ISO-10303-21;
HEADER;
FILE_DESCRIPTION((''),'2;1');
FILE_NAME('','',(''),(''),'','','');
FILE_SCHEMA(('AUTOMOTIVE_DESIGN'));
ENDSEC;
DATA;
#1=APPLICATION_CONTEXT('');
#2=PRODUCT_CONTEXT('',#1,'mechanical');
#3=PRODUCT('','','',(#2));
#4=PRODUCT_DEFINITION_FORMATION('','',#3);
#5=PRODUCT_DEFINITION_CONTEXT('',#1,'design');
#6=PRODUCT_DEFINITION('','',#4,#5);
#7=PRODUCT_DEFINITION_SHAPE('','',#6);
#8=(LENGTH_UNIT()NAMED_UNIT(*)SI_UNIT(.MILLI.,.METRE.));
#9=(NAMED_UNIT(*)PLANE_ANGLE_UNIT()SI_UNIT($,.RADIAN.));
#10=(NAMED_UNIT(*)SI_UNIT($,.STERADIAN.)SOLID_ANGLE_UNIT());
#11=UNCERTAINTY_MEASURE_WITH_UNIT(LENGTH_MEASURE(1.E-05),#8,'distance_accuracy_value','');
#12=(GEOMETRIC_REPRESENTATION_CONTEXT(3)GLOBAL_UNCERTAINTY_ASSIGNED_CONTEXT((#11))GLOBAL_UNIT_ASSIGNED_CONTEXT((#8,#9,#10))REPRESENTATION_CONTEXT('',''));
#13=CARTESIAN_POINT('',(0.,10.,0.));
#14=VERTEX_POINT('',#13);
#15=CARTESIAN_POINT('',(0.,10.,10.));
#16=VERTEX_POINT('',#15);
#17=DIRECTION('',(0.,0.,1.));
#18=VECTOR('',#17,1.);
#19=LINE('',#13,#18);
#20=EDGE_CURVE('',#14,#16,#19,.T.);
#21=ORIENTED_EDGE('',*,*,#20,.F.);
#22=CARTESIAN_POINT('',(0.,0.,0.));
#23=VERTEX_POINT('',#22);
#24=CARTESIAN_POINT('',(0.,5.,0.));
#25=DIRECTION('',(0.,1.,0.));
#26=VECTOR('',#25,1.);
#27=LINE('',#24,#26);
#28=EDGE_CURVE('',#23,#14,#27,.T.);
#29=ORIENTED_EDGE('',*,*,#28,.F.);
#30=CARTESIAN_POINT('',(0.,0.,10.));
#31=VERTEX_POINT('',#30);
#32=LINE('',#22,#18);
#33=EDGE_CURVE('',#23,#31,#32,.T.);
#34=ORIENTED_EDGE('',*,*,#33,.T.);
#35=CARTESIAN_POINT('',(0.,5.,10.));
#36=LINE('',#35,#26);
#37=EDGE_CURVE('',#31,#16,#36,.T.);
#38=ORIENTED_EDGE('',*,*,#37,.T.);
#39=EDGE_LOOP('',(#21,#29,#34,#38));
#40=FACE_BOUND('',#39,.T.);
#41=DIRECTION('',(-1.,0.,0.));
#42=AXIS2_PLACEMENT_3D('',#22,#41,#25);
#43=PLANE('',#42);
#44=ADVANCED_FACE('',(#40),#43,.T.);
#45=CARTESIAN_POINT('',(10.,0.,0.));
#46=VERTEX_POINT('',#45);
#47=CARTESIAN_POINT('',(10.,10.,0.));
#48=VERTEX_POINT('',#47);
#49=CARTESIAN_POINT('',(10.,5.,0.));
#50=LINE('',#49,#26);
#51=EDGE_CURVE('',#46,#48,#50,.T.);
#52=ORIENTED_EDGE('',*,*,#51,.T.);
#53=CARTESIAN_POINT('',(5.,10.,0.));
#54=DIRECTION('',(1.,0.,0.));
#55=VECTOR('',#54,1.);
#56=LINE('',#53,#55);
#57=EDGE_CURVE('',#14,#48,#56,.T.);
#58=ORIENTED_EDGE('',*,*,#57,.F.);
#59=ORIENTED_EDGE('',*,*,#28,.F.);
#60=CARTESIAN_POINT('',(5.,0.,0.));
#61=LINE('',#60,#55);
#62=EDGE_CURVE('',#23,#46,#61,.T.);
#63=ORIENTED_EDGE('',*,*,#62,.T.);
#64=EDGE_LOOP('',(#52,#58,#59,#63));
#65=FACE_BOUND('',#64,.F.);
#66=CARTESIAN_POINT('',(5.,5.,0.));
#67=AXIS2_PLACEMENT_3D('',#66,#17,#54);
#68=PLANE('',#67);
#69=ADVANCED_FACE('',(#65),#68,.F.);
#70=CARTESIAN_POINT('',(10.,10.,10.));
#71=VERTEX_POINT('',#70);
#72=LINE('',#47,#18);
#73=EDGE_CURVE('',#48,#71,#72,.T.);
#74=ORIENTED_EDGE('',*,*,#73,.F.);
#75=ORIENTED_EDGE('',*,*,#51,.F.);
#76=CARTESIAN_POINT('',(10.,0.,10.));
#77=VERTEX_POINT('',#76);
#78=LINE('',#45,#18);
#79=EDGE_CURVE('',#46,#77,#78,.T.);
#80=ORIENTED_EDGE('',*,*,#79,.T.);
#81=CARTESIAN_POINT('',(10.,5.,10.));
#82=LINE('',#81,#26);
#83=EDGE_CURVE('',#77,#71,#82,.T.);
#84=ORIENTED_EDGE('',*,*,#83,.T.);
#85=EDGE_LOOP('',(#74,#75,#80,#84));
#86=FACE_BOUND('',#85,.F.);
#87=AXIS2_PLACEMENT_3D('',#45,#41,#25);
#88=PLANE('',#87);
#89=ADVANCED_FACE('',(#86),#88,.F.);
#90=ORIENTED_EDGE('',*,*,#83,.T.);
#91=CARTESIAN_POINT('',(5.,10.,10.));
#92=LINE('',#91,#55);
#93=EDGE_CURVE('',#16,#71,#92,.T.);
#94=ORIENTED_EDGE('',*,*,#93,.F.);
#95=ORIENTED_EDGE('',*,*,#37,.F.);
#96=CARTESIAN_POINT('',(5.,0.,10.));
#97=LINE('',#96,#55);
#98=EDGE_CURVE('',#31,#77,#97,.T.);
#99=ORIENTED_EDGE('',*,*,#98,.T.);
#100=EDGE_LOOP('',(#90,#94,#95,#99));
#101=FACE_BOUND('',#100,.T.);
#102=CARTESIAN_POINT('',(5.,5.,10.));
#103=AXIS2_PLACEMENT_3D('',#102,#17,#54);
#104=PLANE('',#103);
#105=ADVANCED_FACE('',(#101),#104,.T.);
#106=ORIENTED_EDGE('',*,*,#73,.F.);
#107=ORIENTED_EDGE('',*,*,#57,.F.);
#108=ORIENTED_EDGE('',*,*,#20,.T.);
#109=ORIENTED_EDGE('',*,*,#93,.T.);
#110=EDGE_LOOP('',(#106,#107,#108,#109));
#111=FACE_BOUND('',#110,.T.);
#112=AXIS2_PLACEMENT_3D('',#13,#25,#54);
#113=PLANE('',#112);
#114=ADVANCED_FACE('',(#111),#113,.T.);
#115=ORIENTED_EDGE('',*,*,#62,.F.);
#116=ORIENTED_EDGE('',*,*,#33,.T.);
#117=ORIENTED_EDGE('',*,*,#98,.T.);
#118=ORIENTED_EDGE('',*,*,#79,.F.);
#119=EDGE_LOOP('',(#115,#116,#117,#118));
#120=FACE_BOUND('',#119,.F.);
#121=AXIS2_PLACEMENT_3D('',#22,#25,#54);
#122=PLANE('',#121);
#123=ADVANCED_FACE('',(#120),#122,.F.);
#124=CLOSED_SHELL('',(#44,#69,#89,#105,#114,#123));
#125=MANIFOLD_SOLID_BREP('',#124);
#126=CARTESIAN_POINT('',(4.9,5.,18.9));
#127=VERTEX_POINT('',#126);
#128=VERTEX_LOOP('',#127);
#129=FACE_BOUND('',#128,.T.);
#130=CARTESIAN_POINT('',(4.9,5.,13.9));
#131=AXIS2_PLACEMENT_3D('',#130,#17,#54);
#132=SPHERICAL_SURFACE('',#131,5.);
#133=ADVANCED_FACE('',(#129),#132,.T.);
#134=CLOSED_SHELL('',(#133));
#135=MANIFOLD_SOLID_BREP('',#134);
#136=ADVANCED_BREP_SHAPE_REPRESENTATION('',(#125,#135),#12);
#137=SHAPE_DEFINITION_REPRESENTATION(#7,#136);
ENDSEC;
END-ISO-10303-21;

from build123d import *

# Parameters (mm, degrees)
BOX_W     = 10
BOX_H     = 10
BOX_DEPTH = 10


with BuildPart() as cube:
    # Box → Box (new body)
    with BuildSketch(Plane.XY):
        with Locations((5, 5)):
            Rectangle(BOX_W, BOX_H)
    extrude(amount=BOX_DEPTH)


with BuildPart() as sphere:
    # Sphere → Sphere (revolve)
    with BuildSketch(Plane(origin=(4.9, 5, 13.9), x_dir=(1, 0, 0), z_dir=(0, -1, 0))):
        with BuildLine():
            ThreePointArc((0, -5), (5, 0), (0, 5))
            Line((0, 5), (0, -5))
        make_face()
    revolve(axis=Axis((4.9, 5, 13.9), (0, 0, 1)))


solid = Compound([cube.part, sphere.part])
